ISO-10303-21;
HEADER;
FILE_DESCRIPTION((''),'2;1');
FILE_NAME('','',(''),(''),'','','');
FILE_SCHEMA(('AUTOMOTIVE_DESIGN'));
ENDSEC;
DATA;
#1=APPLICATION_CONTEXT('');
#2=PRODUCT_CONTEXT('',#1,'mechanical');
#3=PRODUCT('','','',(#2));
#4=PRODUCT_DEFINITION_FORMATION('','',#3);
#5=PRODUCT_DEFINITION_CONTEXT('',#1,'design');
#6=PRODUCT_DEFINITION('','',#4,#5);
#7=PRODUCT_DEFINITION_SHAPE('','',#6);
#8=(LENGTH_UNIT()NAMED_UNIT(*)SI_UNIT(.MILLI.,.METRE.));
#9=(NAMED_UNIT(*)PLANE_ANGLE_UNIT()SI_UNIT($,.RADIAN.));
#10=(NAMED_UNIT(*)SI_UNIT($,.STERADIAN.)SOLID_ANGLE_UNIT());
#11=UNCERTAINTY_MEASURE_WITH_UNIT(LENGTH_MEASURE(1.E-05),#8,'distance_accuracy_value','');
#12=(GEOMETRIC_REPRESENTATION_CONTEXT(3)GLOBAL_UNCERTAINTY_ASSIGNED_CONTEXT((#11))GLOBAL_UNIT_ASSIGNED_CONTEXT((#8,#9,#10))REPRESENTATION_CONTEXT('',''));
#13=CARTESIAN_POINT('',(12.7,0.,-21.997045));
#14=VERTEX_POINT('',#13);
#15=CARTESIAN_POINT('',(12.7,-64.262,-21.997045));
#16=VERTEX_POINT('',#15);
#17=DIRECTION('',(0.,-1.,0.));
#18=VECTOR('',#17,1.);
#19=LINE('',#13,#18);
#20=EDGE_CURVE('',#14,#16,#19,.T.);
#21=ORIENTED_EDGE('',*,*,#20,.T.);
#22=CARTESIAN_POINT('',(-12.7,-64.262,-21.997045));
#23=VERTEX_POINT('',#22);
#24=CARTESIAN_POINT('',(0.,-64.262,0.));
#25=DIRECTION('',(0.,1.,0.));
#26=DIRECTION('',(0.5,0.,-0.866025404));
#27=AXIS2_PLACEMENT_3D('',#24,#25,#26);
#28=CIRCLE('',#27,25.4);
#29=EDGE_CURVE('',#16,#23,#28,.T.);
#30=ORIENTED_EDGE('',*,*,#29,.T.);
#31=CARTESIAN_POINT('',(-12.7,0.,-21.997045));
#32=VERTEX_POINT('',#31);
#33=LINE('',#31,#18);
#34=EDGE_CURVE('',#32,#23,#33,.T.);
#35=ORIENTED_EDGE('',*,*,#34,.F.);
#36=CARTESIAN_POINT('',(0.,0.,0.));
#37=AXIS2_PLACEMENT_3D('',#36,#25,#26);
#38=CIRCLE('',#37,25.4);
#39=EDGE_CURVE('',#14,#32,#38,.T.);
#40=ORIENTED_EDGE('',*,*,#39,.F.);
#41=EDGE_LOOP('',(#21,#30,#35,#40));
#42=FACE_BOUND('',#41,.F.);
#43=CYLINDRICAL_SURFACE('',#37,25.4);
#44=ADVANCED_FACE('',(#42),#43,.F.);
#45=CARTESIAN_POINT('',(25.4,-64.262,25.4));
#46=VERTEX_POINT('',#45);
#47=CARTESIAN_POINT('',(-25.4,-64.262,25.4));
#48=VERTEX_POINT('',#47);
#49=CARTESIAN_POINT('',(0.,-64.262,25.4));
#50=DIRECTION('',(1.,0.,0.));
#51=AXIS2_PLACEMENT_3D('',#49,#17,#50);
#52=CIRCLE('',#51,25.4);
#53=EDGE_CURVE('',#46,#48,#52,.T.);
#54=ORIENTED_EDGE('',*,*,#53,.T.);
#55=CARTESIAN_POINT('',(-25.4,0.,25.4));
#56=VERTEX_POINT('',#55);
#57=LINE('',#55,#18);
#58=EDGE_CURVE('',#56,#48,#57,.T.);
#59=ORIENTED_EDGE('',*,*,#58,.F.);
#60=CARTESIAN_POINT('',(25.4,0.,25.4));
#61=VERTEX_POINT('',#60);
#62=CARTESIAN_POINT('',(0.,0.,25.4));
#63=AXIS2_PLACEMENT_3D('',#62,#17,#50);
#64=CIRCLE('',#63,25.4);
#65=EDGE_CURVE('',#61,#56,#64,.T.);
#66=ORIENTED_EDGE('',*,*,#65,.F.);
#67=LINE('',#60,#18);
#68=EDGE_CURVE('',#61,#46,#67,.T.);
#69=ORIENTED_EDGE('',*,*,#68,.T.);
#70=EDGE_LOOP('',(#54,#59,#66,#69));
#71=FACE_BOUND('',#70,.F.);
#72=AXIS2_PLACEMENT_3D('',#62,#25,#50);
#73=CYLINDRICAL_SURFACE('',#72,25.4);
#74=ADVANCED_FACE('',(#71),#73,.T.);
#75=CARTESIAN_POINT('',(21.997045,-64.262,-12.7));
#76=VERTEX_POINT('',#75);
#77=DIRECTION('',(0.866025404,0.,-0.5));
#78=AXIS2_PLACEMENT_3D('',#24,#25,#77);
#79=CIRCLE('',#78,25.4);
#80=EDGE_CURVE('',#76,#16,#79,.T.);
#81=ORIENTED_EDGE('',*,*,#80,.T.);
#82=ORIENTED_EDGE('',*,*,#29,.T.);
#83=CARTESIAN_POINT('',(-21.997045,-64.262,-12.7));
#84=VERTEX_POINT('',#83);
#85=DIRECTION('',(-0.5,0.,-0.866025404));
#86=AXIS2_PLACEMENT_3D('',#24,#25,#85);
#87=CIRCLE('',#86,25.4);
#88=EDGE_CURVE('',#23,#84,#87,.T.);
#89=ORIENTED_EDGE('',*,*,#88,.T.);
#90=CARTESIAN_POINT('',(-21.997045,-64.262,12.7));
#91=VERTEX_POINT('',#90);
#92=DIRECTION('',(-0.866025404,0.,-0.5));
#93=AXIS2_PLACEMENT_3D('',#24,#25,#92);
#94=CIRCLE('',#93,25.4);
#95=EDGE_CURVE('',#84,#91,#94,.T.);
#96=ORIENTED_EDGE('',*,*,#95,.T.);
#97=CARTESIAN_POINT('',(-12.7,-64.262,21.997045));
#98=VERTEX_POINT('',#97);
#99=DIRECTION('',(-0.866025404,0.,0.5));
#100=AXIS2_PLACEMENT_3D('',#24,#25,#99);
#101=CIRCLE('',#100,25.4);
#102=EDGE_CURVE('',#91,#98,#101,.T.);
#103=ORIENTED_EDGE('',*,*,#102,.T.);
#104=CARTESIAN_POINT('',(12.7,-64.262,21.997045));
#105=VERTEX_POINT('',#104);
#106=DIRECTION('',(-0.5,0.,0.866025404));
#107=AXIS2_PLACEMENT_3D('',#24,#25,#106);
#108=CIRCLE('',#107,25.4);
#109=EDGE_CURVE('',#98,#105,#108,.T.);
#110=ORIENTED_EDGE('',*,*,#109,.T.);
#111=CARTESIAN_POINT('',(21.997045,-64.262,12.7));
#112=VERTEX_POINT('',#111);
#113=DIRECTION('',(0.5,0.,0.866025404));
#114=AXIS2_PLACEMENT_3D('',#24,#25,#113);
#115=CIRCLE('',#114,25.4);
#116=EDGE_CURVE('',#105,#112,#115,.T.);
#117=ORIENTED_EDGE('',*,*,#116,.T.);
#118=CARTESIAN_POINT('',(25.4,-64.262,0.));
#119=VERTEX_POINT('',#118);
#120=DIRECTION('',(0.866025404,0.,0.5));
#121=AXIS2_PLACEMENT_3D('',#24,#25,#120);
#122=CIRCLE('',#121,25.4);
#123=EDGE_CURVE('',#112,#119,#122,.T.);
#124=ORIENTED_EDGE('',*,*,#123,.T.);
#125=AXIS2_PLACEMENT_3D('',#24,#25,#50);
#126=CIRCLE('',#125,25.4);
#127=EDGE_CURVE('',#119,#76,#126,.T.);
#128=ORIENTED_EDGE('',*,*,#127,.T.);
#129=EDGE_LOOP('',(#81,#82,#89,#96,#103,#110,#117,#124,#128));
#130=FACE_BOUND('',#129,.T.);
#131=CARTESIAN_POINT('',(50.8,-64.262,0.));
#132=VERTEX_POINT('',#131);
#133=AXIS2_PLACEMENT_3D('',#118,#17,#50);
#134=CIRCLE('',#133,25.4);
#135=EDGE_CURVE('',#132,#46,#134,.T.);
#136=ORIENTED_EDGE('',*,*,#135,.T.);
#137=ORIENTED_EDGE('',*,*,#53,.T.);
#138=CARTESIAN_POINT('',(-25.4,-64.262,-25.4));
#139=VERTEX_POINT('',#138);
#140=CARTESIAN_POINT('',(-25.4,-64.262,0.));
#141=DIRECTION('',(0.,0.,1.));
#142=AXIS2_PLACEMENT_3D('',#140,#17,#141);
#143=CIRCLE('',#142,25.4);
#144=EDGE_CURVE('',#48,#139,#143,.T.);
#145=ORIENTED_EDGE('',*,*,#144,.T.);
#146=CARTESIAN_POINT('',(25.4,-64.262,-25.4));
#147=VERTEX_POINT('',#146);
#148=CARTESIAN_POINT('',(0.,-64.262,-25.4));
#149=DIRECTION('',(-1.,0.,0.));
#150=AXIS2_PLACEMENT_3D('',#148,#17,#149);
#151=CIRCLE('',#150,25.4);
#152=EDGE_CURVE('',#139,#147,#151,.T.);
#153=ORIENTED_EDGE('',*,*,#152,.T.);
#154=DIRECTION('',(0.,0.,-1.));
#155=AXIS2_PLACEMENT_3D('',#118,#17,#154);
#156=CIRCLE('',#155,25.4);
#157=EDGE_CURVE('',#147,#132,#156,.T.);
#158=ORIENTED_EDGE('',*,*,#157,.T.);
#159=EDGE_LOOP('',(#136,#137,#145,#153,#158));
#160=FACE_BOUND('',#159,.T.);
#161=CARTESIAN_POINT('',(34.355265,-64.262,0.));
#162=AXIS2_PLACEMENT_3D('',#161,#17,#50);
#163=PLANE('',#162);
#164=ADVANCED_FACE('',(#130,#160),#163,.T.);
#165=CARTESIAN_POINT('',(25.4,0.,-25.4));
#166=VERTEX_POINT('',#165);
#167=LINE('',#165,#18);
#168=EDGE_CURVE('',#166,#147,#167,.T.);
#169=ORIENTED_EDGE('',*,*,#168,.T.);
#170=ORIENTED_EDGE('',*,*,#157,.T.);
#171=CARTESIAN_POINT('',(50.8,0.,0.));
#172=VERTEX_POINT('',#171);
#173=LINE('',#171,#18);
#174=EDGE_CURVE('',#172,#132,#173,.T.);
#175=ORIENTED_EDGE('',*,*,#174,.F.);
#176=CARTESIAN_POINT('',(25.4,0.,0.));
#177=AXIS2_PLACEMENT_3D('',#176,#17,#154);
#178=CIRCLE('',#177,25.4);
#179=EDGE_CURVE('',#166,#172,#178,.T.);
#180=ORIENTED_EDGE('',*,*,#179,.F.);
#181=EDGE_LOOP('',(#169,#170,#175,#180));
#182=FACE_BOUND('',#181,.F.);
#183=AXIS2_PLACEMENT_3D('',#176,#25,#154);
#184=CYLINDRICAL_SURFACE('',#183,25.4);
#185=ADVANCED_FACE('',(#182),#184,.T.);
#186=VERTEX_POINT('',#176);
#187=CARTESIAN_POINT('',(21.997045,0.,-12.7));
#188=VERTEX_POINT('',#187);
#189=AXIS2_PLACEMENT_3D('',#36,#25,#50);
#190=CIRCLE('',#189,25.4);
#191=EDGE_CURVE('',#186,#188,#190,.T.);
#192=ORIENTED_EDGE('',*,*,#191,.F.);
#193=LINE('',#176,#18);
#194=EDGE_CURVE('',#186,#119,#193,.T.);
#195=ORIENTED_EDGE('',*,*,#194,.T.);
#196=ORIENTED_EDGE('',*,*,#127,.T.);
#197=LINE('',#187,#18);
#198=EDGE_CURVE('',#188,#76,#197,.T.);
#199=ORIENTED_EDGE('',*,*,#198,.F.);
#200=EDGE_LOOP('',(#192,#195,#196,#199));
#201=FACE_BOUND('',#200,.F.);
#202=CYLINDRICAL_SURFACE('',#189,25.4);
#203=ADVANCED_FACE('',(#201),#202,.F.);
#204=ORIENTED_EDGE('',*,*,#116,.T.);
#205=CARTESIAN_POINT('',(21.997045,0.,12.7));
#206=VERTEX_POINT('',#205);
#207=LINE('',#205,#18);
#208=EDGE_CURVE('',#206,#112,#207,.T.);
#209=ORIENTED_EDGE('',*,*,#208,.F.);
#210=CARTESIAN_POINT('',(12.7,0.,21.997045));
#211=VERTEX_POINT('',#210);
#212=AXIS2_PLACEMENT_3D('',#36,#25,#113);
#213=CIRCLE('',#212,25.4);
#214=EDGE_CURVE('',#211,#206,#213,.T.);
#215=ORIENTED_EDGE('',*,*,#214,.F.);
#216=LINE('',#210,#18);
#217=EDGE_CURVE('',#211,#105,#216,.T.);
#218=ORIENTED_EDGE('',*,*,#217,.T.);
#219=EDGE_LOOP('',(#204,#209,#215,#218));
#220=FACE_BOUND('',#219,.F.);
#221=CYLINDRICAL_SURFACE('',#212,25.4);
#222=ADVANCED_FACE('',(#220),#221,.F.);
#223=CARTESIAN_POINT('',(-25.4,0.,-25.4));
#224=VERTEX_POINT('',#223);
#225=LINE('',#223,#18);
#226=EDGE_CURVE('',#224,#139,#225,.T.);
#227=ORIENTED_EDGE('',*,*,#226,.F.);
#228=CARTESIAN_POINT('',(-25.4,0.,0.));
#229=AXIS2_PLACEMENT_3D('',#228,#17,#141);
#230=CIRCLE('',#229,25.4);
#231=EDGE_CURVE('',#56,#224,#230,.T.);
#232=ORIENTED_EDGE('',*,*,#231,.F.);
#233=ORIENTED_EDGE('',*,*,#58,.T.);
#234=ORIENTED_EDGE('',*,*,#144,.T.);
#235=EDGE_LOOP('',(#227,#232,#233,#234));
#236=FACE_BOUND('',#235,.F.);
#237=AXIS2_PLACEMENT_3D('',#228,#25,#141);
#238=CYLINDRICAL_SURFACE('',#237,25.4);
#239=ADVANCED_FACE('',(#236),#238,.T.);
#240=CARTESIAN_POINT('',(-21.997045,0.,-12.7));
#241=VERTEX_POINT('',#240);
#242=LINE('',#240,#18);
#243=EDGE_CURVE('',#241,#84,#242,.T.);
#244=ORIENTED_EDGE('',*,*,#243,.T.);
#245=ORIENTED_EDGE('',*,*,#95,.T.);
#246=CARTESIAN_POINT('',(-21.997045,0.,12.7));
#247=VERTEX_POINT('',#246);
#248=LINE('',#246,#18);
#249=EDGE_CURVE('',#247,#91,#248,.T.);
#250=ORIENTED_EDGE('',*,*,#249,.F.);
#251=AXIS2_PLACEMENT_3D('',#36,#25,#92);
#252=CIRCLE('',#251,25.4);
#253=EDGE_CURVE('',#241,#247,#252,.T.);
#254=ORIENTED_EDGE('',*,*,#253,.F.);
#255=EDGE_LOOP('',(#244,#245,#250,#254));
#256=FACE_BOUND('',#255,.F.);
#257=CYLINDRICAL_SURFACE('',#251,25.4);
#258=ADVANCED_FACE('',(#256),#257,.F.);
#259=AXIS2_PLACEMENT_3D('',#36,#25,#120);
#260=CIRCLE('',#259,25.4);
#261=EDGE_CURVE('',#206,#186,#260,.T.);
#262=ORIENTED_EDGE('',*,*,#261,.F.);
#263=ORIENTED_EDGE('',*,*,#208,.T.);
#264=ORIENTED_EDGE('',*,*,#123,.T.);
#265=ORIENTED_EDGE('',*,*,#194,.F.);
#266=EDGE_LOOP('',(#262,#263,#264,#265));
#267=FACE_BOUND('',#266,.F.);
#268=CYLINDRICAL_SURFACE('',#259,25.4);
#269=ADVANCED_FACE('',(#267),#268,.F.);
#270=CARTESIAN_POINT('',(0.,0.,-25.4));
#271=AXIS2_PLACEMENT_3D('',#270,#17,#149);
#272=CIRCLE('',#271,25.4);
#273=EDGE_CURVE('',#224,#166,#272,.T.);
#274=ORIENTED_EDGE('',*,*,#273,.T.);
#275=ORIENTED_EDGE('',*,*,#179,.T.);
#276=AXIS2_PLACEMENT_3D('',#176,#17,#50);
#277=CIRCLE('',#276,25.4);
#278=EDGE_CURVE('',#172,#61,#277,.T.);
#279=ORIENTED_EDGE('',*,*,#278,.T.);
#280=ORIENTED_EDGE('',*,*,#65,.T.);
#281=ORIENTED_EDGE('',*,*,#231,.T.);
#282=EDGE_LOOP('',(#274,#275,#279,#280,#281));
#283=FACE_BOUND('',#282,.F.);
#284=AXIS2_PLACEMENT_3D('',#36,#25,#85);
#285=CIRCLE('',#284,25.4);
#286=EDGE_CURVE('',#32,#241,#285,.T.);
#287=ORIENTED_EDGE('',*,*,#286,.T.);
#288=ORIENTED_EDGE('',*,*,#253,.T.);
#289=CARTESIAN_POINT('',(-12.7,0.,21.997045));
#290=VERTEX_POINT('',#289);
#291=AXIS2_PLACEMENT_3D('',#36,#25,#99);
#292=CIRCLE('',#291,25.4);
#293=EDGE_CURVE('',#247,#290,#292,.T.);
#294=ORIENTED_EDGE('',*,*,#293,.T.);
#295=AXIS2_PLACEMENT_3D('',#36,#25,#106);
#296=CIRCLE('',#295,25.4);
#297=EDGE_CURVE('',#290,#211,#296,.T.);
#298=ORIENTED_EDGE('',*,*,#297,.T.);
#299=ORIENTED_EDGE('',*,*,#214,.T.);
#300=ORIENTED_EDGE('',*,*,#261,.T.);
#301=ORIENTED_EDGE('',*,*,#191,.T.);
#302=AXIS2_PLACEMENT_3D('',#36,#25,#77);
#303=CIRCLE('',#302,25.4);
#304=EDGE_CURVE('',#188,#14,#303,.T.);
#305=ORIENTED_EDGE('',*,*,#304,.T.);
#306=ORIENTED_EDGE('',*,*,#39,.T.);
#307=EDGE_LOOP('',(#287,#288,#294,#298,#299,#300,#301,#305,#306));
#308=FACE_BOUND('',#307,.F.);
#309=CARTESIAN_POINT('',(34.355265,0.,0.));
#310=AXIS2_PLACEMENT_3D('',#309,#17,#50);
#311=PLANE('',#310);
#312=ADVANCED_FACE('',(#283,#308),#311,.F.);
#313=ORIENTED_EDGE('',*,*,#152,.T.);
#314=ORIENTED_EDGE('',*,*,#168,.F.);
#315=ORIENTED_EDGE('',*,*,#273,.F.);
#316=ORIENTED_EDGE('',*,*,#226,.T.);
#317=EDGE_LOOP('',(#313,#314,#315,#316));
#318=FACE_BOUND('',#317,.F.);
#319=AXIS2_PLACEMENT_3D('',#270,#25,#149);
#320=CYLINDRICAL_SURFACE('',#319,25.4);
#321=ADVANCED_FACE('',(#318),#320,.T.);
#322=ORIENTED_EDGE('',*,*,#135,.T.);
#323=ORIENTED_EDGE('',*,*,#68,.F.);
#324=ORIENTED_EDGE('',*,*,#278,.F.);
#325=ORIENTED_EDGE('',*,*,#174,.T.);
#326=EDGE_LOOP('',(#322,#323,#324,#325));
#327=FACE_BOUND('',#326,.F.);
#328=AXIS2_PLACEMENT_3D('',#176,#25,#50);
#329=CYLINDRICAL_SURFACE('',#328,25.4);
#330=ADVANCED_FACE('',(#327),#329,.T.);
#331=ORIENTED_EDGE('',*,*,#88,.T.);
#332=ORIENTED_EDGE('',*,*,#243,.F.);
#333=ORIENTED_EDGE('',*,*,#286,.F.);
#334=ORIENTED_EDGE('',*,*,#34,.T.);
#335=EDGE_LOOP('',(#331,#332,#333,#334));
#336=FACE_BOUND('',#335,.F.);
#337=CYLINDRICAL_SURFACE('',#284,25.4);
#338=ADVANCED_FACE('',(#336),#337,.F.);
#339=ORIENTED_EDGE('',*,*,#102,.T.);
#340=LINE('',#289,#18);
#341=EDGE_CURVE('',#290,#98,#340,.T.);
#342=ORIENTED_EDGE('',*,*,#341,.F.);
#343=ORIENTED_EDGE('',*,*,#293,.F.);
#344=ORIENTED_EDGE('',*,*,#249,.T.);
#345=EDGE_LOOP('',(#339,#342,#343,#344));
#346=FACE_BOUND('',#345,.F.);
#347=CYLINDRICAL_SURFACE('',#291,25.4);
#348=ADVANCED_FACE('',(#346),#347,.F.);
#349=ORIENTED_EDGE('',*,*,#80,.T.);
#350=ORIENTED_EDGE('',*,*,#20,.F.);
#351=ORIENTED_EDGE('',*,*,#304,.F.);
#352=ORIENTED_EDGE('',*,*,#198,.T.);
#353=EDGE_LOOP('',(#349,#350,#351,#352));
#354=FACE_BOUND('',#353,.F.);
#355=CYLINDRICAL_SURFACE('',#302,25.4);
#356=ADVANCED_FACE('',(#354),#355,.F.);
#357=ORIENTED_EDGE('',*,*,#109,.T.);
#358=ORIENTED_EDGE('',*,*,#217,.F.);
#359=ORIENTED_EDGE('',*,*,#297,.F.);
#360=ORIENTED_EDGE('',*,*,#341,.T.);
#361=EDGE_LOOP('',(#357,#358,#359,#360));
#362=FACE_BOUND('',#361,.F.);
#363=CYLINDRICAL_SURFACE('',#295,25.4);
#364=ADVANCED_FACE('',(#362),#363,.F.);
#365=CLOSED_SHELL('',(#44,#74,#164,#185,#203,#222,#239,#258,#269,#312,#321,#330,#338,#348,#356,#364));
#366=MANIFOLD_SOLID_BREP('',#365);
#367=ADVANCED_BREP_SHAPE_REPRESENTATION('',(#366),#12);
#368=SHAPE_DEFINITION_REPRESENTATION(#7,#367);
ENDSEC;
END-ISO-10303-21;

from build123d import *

# Parameters (mm, degrees)
F1_DEPTH = 64.262


with BuildPart() as f1:
    # F0 (on Front) → F1 (new body)
    with BuildSketch(Plane.XZ):
        with BuildLine():
            ThreePointArc((21.9970452561, 12.7), (24.5345159877, 6.5740037456), (25.4, 0))
            ThreePointArc((25.4, 0), (24.5345159877, -6.5740037456), (21.9970452561, -12.7))
            ThreePointArc((21.9970452561, -12.7), (24.5345159877, -18.8259962544), (25.4, -25.4))
            ThreePointArc((25.4, -25.4), (43.3605122421, -17.9605122421), (50.8, 0))
            ThreePointArc((50.8, 0), (43.3605122421, 17.9605122421), (25.4, 25.4))
            ThreePointArc((25.4, 25.4), (24.5345159877, 18.8259962544), (21.9970452561, 12.7))
        make_face()
        with BuildLine():
            ThreePointArc((12.7, 21.9970452561), (17.9605122421, 17.9605122421), (21.9970452561, 12.7))
            ThreePointArc((21.9970452561, 12.7), (24.5345159877, 18.8259962544), (25.4, 25.4))
            ThreePointArc((25.4, 25.4), (18.8259962544, 24.5345159877), (12.7, 21.9970452561))
        make_face()
        with BuildLine():
            ThreePointArc((25.4, -25.4), (24.5345159877, -18.8259962544), (21.9970452561, -12.7))
            ThreePointArc((21.9970452561, -12.7), (17.9605122421, -17.9605122421), (12.7, -21.9970452561))
            ThreePointArc((12.7, -21.9970452561), (18.8259962544, -24.5345159877), (25.4, -25.4))
        make_face()
        with BuildLine():
            ThreePointArc((-12.7, 21.9970452561), (0, 25.4), (12.7, 21.9970452561))
            ThreePointArc((12.7, 21.9970452561), (18.8259962544, 24.5345159877), (25.4, 25.4))
            ThreePointArc((25.4, 25.4), (0, 50.8), (-25.4, 25.4))
            ThreePointArc((-25.4, 25.4), (-18.8259962544, 24.5345159877), (-12.7, 21.9970452561))
        make_face()
        with BuildLine():
            ThreePointArc((25.4, -25.4), (18.8259962544, -24.5345159877), (12.7, -21.9970452561))
            ThreePointArc((12.7, -21.9970452561), (0, -25.4), (-12.7, -21.9970452561))
            ThreePointArc((-12.7, -21.9970452561), (-18.8259962544, -24.5345159877), (-25.4, -25.4))
            ThreePointArc((-25.4, -25.4), (0, -50.8), (25.4, -25.4))
        make_face()
        with BuildLine():
            ThreePointArc((-21.9970452561, 12.7), (-17.9605122421, 17.9605122421), (-12.7, 21.9970452561))
            ThreePointArc((-12.7, 21.9970452561), (-18.8259962544, 24.5345159877), (-25.4, 25.4))
            ThreePointArc((-25.4, 25.4), (-24.5345159877, 18.8259962544), (-21.9970452561, 12.7))
        make_face()
        with BuildLine():
            ThreePointArc((-25.4, -25.4), (-18.8259962544, -24.5345159877), (-12.7, -21.9970452561))
            ThreePointArc((-12.7, -21.9970452561), (-17.9605122421, -17.9605122421), (-21.9970452561, -12.7))
            ThreePointArc((-21.9970452561, -12.7), (-24.5345159877, -18.8259962544), (-25.4, -25.4))
        make_face()
        with BuildLine():
            ThreePointArc((-21.9970452561, -12.7), (-25.4, 0), (-21.9970452561, 12.7))
            ThreePointArc((-21.9970452561, 12.7), (-24.5345159877, 18.8259962544), (-25.4, 25.4))
            ThreePointArc((-25.4, 25.4), (-50.8, 0), (-25.4, -25.4))
            ThreePointArc((-25.4, -25.4), (-24.5345159877, -18.8259962544), (-21.9970452561, -12.7))
        make_face()
    extrude(amount=F1_DEPTH)


solid = f1.part
